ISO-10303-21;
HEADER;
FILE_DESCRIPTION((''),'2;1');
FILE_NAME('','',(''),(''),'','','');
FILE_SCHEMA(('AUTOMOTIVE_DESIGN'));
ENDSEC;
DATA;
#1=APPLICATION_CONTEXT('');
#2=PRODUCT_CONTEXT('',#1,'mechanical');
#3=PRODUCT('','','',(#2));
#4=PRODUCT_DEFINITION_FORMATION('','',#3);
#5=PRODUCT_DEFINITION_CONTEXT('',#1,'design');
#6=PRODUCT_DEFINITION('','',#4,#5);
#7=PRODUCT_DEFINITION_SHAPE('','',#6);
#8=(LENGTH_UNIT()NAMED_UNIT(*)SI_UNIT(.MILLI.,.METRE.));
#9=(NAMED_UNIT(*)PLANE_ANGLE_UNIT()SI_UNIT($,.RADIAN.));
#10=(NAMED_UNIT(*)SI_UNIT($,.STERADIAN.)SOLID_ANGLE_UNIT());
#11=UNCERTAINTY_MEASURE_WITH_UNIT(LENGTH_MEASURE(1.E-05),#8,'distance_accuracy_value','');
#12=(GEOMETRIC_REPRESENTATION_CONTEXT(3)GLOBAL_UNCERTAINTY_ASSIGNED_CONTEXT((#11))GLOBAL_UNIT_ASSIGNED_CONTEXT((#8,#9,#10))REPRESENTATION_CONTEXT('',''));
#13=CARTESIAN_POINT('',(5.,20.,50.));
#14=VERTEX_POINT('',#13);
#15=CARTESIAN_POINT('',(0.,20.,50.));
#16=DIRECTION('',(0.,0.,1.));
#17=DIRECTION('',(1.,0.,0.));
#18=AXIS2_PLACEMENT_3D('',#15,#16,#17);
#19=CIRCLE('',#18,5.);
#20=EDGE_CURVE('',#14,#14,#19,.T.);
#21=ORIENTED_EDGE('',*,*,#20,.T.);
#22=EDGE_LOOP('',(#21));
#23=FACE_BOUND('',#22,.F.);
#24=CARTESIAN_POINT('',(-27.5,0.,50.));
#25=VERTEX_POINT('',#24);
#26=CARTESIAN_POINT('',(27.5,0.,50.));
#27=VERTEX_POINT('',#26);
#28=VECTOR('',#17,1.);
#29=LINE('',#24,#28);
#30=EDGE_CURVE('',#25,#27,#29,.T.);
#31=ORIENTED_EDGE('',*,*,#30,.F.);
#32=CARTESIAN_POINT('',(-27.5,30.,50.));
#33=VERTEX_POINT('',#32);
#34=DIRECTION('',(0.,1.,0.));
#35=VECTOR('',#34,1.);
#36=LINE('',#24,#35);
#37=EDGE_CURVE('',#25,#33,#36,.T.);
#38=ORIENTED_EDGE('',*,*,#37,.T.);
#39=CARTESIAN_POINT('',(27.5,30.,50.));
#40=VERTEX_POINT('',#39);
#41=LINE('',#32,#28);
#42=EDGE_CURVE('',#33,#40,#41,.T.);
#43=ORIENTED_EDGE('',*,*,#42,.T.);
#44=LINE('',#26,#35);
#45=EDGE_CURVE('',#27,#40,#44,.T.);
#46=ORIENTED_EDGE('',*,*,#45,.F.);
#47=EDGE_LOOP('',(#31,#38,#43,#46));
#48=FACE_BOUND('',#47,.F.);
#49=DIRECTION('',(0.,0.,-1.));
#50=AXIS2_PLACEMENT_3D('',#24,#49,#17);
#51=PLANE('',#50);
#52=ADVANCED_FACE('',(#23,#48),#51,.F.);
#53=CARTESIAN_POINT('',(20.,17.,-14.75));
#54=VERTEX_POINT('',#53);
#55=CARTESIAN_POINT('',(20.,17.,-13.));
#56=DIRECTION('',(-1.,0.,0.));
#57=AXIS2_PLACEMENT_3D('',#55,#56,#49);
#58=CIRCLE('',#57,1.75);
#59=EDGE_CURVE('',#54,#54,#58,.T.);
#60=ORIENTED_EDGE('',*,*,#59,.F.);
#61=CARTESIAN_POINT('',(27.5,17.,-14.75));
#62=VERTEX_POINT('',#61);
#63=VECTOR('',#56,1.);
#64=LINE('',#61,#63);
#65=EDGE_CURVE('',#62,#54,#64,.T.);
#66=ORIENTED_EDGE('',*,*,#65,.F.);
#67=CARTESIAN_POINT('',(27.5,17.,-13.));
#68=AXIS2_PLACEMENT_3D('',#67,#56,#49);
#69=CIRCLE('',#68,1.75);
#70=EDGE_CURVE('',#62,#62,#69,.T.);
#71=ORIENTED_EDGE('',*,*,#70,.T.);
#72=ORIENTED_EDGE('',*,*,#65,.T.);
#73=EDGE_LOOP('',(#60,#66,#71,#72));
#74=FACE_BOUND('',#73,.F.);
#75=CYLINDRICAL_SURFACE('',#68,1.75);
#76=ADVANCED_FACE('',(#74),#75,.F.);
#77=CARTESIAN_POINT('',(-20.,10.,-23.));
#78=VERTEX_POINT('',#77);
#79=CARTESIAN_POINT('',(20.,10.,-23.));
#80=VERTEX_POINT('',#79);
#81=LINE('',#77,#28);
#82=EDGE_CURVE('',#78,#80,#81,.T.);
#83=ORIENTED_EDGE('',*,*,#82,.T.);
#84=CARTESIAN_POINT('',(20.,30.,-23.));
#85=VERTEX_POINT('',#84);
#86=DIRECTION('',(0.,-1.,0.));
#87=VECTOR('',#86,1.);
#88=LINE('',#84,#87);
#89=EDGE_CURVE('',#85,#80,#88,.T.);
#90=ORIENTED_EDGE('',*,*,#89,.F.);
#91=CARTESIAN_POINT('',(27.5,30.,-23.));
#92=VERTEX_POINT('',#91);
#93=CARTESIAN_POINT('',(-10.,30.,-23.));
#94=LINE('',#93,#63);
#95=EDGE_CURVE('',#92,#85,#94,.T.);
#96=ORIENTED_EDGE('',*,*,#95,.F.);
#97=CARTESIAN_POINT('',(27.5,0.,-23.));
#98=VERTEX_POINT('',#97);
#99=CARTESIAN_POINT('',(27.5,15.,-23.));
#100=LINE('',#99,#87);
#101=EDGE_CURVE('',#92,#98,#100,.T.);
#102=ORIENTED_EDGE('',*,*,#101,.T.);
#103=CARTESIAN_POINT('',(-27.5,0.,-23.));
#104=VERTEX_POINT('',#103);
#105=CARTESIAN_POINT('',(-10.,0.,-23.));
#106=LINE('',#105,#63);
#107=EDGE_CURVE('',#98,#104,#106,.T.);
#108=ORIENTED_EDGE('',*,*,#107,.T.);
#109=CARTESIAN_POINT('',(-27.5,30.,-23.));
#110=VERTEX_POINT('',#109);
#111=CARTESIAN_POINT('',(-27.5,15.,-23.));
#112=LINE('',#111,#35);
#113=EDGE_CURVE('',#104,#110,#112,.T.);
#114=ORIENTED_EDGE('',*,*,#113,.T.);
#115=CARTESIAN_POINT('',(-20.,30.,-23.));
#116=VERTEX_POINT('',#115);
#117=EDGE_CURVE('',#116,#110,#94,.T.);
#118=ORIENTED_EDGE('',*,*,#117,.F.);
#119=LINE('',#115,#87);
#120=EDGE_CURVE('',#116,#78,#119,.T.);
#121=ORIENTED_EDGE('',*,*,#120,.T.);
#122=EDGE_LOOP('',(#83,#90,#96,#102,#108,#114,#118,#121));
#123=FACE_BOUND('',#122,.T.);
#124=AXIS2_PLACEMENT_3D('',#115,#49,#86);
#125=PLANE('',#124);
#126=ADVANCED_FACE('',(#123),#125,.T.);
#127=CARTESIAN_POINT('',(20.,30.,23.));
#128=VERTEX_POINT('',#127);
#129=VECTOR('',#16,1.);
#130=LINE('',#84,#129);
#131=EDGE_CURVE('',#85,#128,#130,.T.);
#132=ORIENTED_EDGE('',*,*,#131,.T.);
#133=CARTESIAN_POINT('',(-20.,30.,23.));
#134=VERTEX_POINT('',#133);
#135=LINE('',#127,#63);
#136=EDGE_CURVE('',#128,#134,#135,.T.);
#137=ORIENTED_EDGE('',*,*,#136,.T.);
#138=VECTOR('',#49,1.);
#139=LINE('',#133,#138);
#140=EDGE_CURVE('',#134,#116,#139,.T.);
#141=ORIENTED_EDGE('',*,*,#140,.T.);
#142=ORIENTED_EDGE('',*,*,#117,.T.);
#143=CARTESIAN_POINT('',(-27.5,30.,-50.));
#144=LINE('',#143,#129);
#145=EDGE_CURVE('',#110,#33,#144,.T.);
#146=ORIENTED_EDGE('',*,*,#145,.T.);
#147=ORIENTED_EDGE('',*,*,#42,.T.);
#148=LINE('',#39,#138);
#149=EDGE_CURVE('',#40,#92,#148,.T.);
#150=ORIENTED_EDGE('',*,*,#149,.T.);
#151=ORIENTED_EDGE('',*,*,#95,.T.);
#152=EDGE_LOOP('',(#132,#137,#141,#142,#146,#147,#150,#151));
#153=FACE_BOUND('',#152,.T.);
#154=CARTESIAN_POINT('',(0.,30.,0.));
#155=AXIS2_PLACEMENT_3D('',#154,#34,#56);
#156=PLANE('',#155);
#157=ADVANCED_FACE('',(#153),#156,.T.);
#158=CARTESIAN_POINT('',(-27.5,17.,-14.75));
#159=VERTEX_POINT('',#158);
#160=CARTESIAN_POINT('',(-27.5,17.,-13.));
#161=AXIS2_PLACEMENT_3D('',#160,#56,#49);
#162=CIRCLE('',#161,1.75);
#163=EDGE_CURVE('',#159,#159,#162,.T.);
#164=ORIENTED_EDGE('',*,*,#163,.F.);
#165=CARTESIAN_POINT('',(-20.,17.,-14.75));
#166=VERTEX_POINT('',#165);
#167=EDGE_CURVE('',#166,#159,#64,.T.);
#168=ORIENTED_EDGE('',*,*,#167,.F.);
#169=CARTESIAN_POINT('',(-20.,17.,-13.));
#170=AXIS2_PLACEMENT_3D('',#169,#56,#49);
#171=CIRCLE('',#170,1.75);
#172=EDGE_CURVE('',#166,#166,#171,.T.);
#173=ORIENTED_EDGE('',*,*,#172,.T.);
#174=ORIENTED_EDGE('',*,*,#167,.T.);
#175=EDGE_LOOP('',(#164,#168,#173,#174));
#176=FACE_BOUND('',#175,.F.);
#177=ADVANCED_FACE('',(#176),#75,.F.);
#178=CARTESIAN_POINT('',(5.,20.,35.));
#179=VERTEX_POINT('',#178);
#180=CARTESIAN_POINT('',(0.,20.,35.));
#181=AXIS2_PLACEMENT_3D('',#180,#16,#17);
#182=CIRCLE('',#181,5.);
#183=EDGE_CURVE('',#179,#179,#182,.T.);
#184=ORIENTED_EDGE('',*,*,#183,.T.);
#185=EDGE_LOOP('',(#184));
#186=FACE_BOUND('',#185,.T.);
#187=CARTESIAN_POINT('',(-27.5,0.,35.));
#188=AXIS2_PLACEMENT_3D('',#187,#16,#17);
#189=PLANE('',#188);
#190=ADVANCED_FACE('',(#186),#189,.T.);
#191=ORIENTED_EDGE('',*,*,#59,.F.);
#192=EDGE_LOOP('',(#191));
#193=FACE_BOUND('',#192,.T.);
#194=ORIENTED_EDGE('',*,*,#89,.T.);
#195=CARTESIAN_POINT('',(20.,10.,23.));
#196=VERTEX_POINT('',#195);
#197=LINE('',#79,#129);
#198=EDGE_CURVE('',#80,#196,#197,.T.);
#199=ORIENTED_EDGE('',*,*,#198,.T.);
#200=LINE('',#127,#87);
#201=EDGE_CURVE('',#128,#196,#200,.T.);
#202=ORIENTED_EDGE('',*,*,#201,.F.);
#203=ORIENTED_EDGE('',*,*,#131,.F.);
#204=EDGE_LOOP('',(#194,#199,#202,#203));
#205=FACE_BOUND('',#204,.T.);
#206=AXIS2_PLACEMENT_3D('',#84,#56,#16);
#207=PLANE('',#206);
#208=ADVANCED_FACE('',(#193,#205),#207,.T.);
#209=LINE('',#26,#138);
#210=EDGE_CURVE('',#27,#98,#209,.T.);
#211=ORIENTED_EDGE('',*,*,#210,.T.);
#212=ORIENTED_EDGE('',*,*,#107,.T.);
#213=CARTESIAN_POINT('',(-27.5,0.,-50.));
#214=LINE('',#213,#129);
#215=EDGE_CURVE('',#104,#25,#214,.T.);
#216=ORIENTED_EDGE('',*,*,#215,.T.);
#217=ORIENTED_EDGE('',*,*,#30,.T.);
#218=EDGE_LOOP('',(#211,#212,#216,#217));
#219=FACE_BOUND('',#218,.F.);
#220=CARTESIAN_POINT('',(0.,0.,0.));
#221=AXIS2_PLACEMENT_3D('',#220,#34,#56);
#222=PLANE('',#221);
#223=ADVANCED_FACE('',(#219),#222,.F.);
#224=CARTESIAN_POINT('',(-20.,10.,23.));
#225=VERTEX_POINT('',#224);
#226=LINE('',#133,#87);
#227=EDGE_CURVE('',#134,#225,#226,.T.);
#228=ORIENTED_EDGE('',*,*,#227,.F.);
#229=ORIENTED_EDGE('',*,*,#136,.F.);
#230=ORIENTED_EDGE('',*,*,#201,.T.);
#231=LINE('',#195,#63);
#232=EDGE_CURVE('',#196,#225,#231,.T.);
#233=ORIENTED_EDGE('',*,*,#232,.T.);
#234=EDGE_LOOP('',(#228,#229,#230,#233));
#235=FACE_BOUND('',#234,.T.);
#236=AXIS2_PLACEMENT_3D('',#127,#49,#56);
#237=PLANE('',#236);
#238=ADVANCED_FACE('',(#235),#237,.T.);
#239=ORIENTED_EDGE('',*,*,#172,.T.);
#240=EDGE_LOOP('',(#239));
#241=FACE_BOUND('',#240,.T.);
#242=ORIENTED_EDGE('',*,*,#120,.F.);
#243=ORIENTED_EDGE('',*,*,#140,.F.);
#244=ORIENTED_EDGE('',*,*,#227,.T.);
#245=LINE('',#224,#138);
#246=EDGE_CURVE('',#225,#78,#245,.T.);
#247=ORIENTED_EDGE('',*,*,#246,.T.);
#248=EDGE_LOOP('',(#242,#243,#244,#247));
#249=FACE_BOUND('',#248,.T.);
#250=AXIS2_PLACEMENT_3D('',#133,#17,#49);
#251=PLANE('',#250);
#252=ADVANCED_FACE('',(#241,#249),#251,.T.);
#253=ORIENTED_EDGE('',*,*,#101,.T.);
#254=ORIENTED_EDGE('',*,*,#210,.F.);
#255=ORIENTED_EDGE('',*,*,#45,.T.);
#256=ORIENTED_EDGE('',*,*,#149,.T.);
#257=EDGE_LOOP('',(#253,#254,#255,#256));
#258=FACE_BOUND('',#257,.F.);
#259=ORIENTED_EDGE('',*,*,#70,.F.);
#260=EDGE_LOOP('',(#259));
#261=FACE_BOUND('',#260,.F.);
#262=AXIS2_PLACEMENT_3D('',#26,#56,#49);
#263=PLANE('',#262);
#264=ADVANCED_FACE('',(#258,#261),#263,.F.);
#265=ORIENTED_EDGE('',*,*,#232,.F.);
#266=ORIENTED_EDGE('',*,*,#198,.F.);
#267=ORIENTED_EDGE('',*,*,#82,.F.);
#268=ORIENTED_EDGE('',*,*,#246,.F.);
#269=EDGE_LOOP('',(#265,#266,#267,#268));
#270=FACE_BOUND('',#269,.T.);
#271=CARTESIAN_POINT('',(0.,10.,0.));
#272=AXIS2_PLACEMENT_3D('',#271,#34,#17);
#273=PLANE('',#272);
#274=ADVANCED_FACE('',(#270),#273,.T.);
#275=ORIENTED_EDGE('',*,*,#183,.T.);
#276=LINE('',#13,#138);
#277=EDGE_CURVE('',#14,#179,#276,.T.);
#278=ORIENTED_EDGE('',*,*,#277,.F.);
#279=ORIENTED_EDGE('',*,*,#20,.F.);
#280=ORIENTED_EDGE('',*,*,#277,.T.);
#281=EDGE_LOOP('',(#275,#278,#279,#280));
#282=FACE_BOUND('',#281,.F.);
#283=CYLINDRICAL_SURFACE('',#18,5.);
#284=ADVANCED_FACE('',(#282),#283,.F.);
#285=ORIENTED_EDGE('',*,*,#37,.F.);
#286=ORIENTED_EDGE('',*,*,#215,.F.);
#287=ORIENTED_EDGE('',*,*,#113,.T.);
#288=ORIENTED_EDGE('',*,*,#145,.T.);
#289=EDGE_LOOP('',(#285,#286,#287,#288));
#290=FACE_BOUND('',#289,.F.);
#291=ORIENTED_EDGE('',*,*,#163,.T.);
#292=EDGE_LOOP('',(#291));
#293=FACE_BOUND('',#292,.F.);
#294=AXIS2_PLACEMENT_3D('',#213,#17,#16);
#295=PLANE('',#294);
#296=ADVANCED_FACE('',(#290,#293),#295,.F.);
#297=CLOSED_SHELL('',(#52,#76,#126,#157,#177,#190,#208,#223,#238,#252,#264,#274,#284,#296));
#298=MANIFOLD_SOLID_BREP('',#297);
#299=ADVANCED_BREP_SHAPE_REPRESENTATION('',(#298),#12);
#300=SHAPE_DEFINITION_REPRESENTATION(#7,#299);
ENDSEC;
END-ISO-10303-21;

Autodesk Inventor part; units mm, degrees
ref_plane "YZ Plane" through (0, 0, 0) normal (1, 0, 0) x (0, 1, 0)
sketch "Boceto1" plane through (0, 0, 0) normal (0, 1, 0) x (-1, 0, 0)
  line L0 (27.5, 50) -> (-27.5, 50)
  line L1 (-27.5, 50) -> (-27.5, -50)
  line L2 (-27.5, -50) -> (27.5, -50)
  line L3 (27.5, -50) -> (27.5, 50)
  line L4 (27.5, 50) -> (-27.5, -50) construction
  line L5 (-27.5, 50) -> (27.5, -50) construction
  point P0 (0, 0)
  dimension "d0" = 55
  dimension "d1" = 100
extrude "Extrusión1" add sketch "Boceto1" along normal blind 30
sketch "Boceto2" plane through (27.5, 0, -50) normal (0, 0, -1) x (-1, 0, 0)
  line L0 (22.5, 25) -> (32.5, 25)
  line L1 (32.5, 25) -> (32.5, 5)
  line L2 (32.5, 5) -> (22.5, 5)
  line L3 (22.5, 5) -> (22.5, 25)
  line L4 (22.5, 25) -> (32.5, 5) construction
  line L5 (32.5, 25) -> (22.5, 5) construction
  line L6 (0, 30) -> (55, 30) projected
  line L7 (0, 0) -> (0, 30) projected
  line L8 (55, 0) -> (55, 30) projected
  point P0 (27.5, 0)
  point P1 (27.5, 15)
  point P2 (27.5, 25)
  dimension "d4" = 10
  dimension "d5" = 20
  dimension "d6" = 5
  dimension "d7" = 22.5
  dimension "d24" = 22.5
extrude "Extrusión2" add sketch "Boceto2" along normal blind 10
sketch "Boceto3" plane through (-27.5, 0, 50) normal (0, 0, 1) x (1, 0, 0)
  circle A0 centre (27.5, 20) radius 5
  line L0 (0, 30) -> (55, 30) projected
  point P0 (27.5, 0)
  point P1 (27.5, 30)
  dimension "d10" = 10
  dimension "d11" = 10
extrude "Extrusión3" cut sketch "Boceto3" against normal blind 15
sketch "Boceto4" plane through (0, 30, 0) normal (0, 1, 0) x (1, 0, 0)
  line L0 (-20, 23) -> (20, 23)
  line L1 (20, 23) -> (20, -23)
  line L2 (20, -23) -> (-20, -23)
  line L3 (-20, -23) -> (-20, 23)
  line L4 (-20, 23) -> (20, -23) construction
  line L5 (20, 23) -> (-20, -23) construction
  point P0 (0, 0)
  dimension "d14" = 40
  dimension "d15" = 46
extrude "Extrusión4" cut sketch "Boceto4" against normal blind 20
ref_plane "Plano de trabajo1" through (0, 5, -50) normal (1, 0, 0) x (0, 0, -1)
sketch "Boceto5" plane through (0, 5, -50) normal (1, 0, 0) x (0, 0, -1)
  line L0 (7.5, 0) -> (0, -2.5)
  line L1 (0, -2.5) -> (0, 0)
  line L2 (0, 0) -> (7.5, 0)
  point P0 (-50, -5)
  point P1 (0, -5)
  point P2 (10, 0)
  dimension "d25" = 2.5
  dimension "d26" = 2.5
extrude "Extrusión5" add sketch "Boceto5" along normal mid plane 8
ref_plane "Plano de trabajo2" through (0, 15, 0) normal (0, -1, 0) x (1, 0, 0)
sketch "Boceto6" plane through (0, 15, 0) normal (0, -1, 0) x (1, 0, 0)
  line L0 (5, -50) -> (8, -50)
  line L1 (27.5, -50) -> (-27.5, -50)
  line L2 (5, -57) -> (8, -50)
  line L3 (4, -50) -> (5, -50) projected
  line L4 (5, -50) -> (5, -57)
  line L5 (0, -50.2371) -> (0, -56.5746)
  line L6 (-5, -50) -> (-8, -50)
  line L7 (-27.5, -50) -> (27.5, -50)
  line L8 (-5, -57) -> (-8, -50)
  line L9 (-4, -50) -> (-5, -50)
  line L10 (-5, -50) -> (-5, -57)
  point P0 (0, 0)
  point P1 (5, -60)
  point P2 (-5, -60)
  dimension "d29" = 3
  dimension "d30" = 3
extrude "Extrusión6" add sketch "Boceto6" along normal mid plane 8
sketch "Boceto7" plane through (27.5, 0, 50) normal (1, 0, 0) x (0, 0, -1)
  point P0 (50, 0)
ref_plane "Plano de trabajo4" through (-20, 30, -23) normal (0, 0, 1) x (1, 0, 0)
sketch "Boceto8" plane through (27.5, 0, 50) normal (1, 0, 0) x (0, 0, -1)
  line L0 (58, 22) -> (88, 22)
  circle A0 centre (83, 17) radius 1.75
  line L1 (63, 17) -> (83, 17)
  line L2 (88, 22) -> (88, 12)
  circle A1 centre (63, 17) radius 1.75
  line L3 (58, 12) -> (88, 22) construction
  line L4 (58, 22) -> (88, 12) construction
  line L5 (58, 12) -> (58, 22)
  line L6 (88, 12) -> (58, 12)
  line L7 (73, 30) -> (73, 10) projected
  line L8 (0, 30) -> (100, 30) projected
  point P0 (50, 0)
  point P1 (72.9522, 12.5553)
  point P2 (57.9522, 14.5161)
  point P3 (72.9522, 12.5553)
  point P4 (88, 17)
  dimension "d34" = 10
  dimension "d35" = 30
  dimension "d36" = 5
  dimension "d37" = 5
  dimension "d38" = 5
  dimension "d39" = 5
  dimension "d40" = 10
  dimension "d41" = 8
hole "Agujero1" at (27.5, 17, -13) at (27.5, 17, -33) direction (-1, 0, 0) diameter 3.5 end through all
split "Dividir1" plane through (-20, 30, -23) removes the side toward (0, 0, -1)
properties part number "camera_support_2_2"
